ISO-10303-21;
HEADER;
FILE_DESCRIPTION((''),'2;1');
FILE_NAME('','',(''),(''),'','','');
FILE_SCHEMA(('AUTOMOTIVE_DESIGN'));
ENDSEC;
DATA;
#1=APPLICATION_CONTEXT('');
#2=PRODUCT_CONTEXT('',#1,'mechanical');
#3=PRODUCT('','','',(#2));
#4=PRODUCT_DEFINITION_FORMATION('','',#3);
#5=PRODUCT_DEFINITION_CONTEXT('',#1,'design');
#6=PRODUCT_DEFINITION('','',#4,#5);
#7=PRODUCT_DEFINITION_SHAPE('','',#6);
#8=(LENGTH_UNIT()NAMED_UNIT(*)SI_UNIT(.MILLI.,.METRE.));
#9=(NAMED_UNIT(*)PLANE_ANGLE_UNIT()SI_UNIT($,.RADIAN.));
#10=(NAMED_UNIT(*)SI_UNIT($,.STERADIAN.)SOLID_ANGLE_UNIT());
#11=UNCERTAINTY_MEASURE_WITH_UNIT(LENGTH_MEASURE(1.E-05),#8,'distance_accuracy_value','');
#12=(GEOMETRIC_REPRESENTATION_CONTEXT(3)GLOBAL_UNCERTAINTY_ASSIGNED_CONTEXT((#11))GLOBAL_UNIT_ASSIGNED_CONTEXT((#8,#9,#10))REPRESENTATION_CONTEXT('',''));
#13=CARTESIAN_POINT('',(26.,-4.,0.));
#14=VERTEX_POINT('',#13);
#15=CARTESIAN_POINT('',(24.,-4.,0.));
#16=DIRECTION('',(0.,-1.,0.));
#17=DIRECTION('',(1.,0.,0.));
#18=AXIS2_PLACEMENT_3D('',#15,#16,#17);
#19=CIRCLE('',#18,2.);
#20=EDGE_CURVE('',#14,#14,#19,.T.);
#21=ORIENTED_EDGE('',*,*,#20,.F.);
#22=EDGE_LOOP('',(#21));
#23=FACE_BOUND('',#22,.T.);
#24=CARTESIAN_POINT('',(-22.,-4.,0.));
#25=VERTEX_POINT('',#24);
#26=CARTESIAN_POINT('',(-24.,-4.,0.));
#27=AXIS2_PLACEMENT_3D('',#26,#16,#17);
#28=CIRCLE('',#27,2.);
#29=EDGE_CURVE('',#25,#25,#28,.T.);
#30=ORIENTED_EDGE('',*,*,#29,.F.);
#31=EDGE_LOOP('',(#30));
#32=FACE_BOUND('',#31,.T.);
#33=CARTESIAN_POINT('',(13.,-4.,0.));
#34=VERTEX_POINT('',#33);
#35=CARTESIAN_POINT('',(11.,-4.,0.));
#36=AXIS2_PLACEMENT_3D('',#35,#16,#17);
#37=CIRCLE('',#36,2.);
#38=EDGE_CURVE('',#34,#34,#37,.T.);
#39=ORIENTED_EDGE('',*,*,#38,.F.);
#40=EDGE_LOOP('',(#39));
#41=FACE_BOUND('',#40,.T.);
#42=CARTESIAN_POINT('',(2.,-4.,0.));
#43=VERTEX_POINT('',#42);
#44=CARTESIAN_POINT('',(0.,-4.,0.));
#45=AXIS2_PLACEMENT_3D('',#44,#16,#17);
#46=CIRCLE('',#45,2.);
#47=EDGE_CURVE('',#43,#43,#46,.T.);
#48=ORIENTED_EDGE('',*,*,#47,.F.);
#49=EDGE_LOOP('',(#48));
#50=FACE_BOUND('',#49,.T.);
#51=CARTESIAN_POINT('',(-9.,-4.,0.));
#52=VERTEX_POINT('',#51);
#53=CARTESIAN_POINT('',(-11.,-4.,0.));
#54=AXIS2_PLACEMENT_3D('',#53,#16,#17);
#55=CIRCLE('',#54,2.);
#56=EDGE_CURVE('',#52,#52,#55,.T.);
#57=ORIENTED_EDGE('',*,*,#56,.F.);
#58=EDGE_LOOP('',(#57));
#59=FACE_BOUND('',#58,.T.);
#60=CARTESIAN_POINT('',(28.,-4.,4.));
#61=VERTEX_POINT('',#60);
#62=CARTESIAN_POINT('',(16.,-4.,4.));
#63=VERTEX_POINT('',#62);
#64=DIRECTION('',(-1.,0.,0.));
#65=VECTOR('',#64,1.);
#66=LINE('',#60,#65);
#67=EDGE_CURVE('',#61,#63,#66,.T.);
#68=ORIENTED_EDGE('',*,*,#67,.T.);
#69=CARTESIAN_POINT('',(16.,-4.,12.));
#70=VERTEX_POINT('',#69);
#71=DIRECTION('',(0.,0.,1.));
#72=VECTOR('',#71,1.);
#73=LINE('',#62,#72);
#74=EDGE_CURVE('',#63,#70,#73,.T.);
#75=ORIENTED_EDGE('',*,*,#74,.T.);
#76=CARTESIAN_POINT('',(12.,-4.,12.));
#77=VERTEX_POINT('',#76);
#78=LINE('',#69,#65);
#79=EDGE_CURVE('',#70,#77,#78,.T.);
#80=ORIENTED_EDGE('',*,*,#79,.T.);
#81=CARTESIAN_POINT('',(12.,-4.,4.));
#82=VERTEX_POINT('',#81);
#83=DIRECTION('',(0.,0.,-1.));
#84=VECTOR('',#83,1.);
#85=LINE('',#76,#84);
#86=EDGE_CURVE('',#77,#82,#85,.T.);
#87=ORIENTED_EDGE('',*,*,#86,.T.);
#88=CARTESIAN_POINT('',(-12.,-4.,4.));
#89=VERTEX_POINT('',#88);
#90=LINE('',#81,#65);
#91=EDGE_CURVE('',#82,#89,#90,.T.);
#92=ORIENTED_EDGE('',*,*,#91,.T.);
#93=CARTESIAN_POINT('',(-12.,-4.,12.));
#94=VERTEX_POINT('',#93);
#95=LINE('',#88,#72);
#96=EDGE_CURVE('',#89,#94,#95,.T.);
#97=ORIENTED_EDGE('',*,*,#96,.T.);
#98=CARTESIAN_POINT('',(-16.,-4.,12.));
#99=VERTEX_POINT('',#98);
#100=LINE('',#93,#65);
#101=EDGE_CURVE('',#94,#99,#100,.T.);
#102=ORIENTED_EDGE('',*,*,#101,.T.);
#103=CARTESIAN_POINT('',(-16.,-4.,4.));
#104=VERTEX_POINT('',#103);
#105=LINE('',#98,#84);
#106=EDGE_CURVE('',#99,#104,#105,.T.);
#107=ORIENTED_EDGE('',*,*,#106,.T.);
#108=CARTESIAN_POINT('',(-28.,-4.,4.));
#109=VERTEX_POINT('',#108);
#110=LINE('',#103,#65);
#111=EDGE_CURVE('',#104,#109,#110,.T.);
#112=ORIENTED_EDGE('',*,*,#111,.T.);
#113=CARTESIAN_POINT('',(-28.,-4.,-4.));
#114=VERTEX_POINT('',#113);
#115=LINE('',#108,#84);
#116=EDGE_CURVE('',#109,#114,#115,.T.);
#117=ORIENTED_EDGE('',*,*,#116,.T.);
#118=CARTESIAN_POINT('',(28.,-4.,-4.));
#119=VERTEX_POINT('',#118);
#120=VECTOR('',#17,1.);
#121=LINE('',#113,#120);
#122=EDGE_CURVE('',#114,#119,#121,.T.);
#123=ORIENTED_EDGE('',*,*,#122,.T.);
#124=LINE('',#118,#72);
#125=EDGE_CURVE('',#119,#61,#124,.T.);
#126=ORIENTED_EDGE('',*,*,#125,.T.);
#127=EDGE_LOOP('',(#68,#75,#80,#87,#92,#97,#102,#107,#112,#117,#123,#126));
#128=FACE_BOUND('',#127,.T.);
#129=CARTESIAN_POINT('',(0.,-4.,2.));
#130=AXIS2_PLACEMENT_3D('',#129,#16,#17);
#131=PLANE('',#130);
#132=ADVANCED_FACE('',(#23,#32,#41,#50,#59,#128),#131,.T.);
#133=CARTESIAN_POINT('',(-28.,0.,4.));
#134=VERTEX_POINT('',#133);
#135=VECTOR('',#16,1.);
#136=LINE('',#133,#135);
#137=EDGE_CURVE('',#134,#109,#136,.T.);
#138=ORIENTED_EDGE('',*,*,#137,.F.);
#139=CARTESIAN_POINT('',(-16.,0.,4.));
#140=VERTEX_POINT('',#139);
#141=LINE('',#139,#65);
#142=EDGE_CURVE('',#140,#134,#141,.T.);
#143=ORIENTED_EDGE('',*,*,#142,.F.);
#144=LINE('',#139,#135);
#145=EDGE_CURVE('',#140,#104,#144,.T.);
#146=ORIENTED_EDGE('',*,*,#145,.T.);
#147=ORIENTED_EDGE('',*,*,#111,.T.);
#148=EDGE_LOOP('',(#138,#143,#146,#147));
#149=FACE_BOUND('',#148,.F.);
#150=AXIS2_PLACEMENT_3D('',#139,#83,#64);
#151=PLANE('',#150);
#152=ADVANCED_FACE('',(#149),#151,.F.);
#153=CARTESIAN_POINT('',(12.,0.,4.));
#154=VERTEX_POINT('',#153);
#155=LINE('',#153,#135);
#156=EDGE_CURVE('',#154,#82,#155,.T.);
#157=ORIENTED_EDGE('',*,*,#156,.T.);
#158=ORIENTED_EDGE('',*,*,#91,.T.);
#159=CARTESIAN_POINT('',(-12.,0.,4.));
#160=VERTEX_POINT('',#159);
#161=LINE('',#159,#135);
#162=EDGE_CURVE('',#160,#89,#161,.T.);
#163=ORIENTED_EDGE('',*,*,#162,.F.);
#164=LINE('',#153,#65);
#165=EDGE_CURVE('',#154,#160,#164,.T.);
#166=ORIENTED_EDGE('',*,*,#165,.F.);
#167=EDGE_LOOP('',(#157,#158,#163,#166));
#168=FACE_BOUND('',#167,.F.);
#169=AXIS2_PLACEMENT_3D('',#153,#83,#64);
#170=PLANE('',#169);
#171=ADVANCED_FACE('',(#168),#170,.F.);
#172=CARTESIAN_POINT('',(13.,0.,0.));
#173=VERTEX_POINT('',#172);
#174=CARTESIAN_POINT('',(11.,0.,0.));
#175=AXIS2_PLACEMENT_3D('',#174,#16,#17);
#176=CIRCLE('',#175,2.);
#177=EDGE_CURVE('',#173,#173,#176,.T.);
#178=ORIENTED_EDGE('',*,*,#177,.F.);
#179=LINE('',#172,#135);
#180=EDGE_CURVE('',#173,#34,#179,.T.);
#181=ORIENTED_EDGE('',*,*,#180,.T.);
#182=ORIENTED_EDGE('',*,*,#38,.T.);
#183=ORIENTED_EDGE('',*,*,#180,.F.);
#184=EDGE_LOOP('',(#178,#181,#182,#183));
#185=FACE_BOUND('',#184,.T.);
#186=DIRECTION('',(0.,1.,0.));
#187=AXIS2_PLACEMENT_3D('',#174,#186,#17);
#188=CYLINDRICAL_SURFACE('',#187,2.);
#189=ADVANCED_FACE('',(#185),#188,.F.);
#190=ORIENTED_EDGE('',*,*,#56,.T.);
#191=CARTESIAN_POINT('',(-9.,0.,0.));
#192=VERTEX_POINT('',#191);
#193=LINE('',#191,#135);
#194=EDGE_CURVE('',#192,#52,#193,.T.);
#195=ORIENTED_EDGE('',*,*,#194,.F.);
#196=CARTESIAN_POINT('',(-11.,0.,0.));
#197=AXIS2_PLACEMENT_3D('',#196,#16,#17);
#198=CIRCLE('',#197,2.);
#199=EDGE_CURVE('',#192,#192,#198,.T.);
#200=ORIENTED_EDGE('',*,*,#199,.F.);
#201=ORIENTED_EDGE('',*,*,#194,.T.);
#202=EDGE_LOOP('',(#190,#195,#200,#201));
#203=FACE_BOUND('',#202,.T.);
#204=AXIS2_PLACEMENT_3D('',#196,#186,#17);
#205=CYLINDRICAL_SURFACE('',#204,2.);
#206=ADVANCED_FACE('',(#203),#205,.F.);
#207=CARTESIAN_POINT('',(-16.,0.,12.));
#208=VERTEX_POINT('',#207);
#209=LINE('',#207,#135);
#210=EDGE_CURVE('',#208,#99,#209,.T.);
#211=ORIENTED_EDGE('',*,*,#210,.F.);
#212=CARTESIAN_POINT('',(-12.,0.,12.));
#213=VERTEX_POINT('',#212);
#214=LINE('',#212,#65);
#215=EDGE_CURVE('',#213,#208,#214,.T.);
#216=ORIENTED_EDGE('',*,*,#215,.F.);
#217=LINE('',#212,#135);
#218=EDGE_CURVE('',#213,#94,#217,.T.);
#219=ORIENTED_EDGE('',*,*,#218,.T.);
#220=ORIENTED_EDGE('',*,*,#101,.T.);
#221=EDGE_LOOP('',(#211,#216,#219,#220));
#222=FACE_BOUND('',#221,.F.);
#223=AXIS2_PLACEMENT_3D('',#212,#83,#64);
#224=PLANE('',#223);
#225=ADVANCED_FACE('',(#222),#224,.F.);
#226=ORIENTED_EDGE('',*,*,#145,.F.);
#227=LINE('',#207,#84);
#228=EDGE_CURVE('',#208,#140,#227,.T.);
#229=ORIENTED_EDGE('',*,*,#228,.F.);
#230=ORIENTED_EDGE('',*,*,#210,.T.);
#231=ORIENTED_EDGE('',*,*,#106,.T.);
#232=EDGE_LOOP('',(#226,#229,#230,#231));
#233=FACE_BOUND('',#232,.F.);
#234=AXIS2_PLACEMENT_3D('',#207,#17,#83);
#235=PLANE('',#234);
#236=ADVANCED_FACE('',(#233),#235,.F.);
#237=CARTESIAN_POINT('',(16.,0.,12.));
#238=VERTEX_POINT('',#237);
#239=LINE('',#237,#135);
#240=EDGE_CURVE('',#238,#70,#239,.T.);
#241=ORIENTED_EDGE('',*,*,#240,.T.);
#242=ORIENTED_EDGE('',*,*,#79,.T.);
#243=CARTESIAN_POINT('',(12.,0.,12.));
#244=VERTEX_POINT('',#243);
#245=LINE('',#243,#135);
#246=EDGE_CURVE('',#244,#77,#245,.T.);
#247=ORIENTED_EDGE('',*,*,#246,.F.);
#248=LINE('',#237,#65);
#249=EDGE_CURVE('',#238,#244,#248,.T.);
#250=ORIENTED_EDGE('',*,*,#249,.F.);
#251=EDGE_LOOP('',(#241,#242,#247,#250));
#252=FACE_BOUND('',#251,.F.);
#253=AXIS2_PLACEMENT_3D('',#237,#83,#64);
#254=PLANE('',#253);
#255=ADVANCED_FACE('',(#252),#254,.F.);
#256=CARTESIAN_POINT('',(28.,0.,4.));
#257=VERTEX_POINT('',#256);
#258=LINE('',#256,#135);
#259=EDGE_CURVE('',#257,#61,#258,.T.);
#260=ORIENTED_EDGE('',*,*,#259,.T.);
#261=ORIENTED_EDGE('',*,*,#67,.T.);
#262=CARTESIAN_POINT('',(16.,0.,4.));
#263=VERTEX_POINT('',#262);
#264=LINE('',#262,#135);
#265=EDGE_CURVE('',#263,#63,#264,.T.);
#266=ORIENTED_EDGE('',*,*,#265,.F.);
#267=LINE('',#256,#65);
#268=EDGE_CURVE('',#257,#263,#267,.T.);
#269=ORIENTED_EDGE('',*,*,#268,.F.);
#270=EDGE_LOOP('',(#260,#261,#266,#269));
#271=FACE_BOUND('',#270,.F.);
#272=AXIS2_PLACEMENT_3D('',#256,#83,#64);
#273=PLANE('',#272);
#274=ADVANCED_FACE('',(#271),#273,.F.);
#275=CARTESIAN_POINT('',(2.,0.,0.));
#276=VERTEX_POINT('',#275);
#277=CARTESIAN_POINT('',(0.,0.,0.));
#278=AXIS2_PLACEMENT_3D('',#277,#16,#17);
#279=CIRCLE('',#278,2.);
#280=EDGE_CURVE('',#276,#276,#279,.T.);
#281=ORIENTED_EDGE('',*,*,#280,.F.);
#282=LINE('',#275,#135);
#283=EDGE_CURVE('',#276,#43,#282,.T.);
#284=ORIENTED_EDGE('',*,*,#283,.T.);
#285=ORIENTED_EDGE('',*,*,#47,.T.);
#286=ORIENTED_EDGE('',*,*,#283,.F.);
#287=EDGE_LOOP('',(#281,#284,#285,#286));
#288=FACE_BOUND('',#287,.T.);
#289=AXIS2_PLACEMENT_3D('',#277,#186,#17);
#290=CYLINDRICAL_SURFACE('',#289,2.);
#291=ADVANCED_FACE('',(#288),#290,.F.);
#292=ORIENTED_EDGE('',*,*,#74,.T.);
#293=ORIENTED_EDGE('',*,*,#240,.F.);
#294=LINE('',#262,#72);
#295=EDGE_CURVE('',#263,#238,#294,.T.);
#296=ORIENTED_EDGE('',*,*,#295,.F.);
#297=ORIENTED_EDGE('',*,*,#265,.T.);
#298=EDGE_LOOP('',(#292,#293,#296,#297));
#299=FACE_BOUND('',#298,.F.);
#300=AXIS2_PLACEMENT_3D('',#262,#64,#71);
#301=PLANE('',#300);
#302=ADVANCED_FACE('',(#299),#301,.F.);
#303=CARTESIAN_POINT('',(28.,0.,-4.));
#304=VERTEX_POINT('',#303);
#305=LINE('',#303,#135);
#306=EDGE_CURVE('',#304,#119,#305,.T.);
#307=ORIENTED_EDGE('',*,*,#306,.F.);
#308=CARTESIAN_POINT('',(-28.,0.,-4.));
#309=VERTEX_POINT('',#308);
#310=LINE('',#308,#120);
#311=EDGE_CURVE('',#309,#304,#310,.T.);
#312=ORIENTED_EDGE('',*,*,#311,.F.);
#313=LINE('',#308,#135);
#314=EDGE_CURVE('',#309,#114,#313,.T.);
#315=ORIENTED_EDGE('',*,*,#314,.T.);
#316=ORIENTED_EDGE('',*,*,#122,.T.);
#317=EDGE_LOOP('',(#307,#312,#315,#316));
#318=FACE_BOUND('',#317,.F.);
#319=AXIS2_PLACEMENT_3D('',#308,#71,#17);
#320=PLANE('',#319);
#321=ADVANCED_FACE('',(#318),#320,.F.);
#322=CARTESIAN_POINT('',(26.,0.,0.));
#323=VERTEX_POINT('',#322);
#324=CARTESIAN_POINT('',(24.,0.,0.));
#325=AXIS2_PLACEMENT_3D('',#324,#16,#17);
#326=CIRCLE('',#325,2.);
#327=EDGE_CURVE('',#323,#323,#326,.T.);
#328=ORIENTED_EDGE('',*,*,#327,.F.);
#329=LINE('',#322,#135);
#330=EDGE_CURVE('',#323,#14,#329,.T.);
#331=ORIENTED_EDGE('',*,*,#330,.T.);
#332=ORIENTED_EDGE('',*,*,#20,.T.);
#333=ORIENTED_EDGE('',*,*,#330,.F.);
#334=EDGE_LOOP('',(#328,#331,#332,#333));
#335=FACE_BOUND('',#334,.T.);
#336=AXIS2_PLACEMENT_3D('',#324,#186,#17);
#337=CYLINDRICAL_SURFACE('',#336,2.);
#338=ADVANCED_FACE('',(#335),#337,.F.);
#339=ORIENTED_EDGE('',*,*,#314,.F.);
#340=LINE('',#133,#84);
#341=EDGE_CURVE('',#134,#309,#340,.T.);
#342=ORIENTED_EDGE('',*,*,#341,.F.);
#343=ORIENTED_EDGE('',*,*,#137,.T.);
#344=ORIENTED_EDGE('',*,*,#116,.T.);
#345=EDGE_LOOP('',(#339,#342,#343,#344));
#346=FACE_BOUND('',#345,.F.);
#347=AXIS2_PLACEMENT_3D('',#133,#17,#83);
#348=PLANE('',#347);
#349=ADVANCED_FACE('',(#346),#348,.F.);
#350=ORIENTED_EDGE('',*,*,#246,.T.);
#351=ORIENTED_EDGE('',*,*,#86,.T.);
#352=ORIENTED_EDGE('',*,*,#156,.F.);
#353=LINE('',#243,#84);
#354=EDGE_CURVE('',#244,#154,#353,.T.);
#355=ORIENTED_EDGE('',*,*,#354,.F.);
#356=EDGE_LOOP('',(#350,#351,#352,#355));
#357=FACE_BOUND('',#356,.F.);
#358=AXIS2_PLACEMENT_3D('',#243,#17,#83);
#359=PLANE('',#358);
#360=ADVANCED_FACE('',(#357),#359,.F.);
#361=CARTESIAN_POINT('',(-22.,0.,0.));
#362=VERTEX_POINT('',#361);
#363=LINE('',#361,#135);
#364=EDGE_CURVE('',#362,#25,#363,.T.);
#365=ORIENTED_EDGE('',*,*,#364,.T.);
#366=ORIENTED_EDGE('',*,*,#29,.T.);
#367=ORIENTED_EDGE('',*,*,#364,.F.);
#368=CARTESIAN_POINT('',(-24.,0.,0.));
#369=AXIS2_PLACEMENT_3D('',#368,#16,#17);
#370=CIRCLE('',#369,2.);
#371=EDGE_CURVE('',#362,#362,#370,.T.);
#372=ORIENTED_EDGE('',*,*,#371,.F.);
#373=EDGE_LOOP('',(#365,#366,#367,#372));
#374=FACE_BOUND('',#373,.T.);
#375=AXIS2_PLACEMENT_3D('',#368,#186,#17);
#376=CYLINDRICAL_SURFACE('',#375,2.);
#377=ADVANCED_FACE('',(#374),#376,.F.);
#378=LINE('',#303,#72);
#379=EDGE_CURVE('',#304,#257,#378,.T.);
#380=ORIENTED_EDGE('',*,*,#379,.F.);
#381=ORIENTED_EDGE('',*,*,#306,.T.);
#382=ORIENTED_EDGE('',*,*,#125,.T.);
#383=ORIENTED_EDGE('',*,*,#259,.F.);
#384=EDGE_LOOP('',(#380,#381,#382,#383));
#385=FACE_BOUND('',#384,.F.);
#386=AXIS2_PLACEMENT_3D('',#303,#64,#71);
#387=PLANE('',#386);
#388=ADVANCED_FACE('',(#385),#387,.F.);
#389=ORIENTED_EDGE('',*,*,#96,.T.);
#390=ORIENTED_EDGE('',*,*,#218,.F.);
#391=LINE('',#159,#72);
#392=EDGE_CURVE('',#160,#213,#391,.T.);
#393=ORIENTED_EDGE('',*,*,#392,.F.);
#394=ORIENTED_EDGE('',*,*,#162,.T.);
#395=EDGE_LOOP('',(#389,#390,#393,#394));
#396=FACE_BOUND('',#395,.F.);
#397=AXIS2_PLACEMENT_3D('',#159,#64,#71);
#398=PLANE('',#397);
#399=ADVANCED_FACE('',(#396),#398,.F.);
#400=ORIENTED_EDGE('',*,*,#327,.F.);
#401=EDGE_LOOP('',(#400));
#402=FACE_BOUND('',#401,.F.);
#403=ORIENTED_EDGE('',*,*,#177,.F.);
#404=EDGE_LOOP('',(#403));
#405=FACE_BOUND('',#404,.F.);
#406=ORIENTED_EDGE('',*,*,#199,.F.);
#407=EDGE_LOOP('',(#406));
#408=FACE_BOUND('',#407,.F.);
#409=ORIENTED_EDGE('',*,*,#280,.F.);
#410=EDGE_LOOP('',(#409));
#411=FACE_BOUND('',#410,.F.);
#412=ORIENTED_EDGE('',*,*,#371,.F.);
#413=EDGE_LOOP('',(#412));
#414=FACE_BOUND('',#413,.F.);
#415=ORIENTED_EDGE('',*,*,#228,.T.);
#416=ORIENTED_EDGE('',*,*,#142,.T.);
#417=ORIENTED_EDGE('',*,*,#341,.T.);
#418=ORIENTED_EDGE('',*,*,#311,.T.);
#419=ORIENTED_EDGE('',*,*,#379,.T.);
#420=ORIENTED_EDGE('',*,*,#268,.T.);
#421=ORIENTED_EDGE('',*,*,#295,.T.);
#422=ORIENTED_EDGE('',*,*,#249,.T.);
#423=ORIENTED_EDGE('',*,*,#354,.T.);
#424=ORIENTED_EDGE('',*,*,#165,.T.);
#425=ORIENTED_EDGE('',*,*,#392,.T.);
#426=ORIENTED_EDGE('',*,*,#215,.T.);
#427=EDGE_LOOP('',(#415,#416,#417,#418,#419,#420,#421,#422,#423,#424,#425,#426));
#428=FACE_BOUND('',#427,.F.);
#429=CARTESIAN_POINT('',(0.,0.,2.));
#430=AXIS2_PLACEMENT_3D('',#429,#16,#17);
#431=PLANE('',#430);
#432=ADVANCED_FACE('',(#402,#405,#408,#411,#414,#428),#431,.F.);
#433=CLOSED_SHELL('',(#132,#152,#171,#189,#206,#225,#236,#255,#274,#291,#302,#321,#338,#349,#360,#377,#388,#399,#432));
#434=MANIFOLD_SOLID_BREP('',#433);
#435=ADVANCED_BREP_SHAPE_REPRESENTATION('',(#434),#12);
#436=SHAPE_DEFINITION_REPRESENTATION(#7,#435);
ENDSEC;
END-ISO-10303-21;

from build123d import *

# Parameters (mm, degrees)
F0_R     = 2
F1_DEPTH = 4


with BuildPart() as f1:
    # F0 (on Front) → F1 (new body)
    with BuildSketch(Plane.XZ):
        Polygon((-28, 4), (-28, -4), (28, -4), (28, 4), (16, 4), (16, 12), (12, 12), (12, 4), (0, 4), (-12, 4), (-12, 12), (-16, 12), (-16, 4), align=None)
        with Locations((-24, 0)):
            Circle(F0_R, mode=Mode.SUBTRACT)
        with Locations((-11, 0)):
            Circle(F0_R, mode=Mode.SUBTRACT)
        Circle(F0_R, mode=Mode.SUBTRACT)
        with Locations((11, 0)):
            Circle(F0_R, mode=Mode.SUBTRACT)
        with Locations((24, 0)):
            Circle(F0_R, mode=Mode.SUBTRACT)
    extrude(amount=F1_DEPTH)


solid = f1.part
